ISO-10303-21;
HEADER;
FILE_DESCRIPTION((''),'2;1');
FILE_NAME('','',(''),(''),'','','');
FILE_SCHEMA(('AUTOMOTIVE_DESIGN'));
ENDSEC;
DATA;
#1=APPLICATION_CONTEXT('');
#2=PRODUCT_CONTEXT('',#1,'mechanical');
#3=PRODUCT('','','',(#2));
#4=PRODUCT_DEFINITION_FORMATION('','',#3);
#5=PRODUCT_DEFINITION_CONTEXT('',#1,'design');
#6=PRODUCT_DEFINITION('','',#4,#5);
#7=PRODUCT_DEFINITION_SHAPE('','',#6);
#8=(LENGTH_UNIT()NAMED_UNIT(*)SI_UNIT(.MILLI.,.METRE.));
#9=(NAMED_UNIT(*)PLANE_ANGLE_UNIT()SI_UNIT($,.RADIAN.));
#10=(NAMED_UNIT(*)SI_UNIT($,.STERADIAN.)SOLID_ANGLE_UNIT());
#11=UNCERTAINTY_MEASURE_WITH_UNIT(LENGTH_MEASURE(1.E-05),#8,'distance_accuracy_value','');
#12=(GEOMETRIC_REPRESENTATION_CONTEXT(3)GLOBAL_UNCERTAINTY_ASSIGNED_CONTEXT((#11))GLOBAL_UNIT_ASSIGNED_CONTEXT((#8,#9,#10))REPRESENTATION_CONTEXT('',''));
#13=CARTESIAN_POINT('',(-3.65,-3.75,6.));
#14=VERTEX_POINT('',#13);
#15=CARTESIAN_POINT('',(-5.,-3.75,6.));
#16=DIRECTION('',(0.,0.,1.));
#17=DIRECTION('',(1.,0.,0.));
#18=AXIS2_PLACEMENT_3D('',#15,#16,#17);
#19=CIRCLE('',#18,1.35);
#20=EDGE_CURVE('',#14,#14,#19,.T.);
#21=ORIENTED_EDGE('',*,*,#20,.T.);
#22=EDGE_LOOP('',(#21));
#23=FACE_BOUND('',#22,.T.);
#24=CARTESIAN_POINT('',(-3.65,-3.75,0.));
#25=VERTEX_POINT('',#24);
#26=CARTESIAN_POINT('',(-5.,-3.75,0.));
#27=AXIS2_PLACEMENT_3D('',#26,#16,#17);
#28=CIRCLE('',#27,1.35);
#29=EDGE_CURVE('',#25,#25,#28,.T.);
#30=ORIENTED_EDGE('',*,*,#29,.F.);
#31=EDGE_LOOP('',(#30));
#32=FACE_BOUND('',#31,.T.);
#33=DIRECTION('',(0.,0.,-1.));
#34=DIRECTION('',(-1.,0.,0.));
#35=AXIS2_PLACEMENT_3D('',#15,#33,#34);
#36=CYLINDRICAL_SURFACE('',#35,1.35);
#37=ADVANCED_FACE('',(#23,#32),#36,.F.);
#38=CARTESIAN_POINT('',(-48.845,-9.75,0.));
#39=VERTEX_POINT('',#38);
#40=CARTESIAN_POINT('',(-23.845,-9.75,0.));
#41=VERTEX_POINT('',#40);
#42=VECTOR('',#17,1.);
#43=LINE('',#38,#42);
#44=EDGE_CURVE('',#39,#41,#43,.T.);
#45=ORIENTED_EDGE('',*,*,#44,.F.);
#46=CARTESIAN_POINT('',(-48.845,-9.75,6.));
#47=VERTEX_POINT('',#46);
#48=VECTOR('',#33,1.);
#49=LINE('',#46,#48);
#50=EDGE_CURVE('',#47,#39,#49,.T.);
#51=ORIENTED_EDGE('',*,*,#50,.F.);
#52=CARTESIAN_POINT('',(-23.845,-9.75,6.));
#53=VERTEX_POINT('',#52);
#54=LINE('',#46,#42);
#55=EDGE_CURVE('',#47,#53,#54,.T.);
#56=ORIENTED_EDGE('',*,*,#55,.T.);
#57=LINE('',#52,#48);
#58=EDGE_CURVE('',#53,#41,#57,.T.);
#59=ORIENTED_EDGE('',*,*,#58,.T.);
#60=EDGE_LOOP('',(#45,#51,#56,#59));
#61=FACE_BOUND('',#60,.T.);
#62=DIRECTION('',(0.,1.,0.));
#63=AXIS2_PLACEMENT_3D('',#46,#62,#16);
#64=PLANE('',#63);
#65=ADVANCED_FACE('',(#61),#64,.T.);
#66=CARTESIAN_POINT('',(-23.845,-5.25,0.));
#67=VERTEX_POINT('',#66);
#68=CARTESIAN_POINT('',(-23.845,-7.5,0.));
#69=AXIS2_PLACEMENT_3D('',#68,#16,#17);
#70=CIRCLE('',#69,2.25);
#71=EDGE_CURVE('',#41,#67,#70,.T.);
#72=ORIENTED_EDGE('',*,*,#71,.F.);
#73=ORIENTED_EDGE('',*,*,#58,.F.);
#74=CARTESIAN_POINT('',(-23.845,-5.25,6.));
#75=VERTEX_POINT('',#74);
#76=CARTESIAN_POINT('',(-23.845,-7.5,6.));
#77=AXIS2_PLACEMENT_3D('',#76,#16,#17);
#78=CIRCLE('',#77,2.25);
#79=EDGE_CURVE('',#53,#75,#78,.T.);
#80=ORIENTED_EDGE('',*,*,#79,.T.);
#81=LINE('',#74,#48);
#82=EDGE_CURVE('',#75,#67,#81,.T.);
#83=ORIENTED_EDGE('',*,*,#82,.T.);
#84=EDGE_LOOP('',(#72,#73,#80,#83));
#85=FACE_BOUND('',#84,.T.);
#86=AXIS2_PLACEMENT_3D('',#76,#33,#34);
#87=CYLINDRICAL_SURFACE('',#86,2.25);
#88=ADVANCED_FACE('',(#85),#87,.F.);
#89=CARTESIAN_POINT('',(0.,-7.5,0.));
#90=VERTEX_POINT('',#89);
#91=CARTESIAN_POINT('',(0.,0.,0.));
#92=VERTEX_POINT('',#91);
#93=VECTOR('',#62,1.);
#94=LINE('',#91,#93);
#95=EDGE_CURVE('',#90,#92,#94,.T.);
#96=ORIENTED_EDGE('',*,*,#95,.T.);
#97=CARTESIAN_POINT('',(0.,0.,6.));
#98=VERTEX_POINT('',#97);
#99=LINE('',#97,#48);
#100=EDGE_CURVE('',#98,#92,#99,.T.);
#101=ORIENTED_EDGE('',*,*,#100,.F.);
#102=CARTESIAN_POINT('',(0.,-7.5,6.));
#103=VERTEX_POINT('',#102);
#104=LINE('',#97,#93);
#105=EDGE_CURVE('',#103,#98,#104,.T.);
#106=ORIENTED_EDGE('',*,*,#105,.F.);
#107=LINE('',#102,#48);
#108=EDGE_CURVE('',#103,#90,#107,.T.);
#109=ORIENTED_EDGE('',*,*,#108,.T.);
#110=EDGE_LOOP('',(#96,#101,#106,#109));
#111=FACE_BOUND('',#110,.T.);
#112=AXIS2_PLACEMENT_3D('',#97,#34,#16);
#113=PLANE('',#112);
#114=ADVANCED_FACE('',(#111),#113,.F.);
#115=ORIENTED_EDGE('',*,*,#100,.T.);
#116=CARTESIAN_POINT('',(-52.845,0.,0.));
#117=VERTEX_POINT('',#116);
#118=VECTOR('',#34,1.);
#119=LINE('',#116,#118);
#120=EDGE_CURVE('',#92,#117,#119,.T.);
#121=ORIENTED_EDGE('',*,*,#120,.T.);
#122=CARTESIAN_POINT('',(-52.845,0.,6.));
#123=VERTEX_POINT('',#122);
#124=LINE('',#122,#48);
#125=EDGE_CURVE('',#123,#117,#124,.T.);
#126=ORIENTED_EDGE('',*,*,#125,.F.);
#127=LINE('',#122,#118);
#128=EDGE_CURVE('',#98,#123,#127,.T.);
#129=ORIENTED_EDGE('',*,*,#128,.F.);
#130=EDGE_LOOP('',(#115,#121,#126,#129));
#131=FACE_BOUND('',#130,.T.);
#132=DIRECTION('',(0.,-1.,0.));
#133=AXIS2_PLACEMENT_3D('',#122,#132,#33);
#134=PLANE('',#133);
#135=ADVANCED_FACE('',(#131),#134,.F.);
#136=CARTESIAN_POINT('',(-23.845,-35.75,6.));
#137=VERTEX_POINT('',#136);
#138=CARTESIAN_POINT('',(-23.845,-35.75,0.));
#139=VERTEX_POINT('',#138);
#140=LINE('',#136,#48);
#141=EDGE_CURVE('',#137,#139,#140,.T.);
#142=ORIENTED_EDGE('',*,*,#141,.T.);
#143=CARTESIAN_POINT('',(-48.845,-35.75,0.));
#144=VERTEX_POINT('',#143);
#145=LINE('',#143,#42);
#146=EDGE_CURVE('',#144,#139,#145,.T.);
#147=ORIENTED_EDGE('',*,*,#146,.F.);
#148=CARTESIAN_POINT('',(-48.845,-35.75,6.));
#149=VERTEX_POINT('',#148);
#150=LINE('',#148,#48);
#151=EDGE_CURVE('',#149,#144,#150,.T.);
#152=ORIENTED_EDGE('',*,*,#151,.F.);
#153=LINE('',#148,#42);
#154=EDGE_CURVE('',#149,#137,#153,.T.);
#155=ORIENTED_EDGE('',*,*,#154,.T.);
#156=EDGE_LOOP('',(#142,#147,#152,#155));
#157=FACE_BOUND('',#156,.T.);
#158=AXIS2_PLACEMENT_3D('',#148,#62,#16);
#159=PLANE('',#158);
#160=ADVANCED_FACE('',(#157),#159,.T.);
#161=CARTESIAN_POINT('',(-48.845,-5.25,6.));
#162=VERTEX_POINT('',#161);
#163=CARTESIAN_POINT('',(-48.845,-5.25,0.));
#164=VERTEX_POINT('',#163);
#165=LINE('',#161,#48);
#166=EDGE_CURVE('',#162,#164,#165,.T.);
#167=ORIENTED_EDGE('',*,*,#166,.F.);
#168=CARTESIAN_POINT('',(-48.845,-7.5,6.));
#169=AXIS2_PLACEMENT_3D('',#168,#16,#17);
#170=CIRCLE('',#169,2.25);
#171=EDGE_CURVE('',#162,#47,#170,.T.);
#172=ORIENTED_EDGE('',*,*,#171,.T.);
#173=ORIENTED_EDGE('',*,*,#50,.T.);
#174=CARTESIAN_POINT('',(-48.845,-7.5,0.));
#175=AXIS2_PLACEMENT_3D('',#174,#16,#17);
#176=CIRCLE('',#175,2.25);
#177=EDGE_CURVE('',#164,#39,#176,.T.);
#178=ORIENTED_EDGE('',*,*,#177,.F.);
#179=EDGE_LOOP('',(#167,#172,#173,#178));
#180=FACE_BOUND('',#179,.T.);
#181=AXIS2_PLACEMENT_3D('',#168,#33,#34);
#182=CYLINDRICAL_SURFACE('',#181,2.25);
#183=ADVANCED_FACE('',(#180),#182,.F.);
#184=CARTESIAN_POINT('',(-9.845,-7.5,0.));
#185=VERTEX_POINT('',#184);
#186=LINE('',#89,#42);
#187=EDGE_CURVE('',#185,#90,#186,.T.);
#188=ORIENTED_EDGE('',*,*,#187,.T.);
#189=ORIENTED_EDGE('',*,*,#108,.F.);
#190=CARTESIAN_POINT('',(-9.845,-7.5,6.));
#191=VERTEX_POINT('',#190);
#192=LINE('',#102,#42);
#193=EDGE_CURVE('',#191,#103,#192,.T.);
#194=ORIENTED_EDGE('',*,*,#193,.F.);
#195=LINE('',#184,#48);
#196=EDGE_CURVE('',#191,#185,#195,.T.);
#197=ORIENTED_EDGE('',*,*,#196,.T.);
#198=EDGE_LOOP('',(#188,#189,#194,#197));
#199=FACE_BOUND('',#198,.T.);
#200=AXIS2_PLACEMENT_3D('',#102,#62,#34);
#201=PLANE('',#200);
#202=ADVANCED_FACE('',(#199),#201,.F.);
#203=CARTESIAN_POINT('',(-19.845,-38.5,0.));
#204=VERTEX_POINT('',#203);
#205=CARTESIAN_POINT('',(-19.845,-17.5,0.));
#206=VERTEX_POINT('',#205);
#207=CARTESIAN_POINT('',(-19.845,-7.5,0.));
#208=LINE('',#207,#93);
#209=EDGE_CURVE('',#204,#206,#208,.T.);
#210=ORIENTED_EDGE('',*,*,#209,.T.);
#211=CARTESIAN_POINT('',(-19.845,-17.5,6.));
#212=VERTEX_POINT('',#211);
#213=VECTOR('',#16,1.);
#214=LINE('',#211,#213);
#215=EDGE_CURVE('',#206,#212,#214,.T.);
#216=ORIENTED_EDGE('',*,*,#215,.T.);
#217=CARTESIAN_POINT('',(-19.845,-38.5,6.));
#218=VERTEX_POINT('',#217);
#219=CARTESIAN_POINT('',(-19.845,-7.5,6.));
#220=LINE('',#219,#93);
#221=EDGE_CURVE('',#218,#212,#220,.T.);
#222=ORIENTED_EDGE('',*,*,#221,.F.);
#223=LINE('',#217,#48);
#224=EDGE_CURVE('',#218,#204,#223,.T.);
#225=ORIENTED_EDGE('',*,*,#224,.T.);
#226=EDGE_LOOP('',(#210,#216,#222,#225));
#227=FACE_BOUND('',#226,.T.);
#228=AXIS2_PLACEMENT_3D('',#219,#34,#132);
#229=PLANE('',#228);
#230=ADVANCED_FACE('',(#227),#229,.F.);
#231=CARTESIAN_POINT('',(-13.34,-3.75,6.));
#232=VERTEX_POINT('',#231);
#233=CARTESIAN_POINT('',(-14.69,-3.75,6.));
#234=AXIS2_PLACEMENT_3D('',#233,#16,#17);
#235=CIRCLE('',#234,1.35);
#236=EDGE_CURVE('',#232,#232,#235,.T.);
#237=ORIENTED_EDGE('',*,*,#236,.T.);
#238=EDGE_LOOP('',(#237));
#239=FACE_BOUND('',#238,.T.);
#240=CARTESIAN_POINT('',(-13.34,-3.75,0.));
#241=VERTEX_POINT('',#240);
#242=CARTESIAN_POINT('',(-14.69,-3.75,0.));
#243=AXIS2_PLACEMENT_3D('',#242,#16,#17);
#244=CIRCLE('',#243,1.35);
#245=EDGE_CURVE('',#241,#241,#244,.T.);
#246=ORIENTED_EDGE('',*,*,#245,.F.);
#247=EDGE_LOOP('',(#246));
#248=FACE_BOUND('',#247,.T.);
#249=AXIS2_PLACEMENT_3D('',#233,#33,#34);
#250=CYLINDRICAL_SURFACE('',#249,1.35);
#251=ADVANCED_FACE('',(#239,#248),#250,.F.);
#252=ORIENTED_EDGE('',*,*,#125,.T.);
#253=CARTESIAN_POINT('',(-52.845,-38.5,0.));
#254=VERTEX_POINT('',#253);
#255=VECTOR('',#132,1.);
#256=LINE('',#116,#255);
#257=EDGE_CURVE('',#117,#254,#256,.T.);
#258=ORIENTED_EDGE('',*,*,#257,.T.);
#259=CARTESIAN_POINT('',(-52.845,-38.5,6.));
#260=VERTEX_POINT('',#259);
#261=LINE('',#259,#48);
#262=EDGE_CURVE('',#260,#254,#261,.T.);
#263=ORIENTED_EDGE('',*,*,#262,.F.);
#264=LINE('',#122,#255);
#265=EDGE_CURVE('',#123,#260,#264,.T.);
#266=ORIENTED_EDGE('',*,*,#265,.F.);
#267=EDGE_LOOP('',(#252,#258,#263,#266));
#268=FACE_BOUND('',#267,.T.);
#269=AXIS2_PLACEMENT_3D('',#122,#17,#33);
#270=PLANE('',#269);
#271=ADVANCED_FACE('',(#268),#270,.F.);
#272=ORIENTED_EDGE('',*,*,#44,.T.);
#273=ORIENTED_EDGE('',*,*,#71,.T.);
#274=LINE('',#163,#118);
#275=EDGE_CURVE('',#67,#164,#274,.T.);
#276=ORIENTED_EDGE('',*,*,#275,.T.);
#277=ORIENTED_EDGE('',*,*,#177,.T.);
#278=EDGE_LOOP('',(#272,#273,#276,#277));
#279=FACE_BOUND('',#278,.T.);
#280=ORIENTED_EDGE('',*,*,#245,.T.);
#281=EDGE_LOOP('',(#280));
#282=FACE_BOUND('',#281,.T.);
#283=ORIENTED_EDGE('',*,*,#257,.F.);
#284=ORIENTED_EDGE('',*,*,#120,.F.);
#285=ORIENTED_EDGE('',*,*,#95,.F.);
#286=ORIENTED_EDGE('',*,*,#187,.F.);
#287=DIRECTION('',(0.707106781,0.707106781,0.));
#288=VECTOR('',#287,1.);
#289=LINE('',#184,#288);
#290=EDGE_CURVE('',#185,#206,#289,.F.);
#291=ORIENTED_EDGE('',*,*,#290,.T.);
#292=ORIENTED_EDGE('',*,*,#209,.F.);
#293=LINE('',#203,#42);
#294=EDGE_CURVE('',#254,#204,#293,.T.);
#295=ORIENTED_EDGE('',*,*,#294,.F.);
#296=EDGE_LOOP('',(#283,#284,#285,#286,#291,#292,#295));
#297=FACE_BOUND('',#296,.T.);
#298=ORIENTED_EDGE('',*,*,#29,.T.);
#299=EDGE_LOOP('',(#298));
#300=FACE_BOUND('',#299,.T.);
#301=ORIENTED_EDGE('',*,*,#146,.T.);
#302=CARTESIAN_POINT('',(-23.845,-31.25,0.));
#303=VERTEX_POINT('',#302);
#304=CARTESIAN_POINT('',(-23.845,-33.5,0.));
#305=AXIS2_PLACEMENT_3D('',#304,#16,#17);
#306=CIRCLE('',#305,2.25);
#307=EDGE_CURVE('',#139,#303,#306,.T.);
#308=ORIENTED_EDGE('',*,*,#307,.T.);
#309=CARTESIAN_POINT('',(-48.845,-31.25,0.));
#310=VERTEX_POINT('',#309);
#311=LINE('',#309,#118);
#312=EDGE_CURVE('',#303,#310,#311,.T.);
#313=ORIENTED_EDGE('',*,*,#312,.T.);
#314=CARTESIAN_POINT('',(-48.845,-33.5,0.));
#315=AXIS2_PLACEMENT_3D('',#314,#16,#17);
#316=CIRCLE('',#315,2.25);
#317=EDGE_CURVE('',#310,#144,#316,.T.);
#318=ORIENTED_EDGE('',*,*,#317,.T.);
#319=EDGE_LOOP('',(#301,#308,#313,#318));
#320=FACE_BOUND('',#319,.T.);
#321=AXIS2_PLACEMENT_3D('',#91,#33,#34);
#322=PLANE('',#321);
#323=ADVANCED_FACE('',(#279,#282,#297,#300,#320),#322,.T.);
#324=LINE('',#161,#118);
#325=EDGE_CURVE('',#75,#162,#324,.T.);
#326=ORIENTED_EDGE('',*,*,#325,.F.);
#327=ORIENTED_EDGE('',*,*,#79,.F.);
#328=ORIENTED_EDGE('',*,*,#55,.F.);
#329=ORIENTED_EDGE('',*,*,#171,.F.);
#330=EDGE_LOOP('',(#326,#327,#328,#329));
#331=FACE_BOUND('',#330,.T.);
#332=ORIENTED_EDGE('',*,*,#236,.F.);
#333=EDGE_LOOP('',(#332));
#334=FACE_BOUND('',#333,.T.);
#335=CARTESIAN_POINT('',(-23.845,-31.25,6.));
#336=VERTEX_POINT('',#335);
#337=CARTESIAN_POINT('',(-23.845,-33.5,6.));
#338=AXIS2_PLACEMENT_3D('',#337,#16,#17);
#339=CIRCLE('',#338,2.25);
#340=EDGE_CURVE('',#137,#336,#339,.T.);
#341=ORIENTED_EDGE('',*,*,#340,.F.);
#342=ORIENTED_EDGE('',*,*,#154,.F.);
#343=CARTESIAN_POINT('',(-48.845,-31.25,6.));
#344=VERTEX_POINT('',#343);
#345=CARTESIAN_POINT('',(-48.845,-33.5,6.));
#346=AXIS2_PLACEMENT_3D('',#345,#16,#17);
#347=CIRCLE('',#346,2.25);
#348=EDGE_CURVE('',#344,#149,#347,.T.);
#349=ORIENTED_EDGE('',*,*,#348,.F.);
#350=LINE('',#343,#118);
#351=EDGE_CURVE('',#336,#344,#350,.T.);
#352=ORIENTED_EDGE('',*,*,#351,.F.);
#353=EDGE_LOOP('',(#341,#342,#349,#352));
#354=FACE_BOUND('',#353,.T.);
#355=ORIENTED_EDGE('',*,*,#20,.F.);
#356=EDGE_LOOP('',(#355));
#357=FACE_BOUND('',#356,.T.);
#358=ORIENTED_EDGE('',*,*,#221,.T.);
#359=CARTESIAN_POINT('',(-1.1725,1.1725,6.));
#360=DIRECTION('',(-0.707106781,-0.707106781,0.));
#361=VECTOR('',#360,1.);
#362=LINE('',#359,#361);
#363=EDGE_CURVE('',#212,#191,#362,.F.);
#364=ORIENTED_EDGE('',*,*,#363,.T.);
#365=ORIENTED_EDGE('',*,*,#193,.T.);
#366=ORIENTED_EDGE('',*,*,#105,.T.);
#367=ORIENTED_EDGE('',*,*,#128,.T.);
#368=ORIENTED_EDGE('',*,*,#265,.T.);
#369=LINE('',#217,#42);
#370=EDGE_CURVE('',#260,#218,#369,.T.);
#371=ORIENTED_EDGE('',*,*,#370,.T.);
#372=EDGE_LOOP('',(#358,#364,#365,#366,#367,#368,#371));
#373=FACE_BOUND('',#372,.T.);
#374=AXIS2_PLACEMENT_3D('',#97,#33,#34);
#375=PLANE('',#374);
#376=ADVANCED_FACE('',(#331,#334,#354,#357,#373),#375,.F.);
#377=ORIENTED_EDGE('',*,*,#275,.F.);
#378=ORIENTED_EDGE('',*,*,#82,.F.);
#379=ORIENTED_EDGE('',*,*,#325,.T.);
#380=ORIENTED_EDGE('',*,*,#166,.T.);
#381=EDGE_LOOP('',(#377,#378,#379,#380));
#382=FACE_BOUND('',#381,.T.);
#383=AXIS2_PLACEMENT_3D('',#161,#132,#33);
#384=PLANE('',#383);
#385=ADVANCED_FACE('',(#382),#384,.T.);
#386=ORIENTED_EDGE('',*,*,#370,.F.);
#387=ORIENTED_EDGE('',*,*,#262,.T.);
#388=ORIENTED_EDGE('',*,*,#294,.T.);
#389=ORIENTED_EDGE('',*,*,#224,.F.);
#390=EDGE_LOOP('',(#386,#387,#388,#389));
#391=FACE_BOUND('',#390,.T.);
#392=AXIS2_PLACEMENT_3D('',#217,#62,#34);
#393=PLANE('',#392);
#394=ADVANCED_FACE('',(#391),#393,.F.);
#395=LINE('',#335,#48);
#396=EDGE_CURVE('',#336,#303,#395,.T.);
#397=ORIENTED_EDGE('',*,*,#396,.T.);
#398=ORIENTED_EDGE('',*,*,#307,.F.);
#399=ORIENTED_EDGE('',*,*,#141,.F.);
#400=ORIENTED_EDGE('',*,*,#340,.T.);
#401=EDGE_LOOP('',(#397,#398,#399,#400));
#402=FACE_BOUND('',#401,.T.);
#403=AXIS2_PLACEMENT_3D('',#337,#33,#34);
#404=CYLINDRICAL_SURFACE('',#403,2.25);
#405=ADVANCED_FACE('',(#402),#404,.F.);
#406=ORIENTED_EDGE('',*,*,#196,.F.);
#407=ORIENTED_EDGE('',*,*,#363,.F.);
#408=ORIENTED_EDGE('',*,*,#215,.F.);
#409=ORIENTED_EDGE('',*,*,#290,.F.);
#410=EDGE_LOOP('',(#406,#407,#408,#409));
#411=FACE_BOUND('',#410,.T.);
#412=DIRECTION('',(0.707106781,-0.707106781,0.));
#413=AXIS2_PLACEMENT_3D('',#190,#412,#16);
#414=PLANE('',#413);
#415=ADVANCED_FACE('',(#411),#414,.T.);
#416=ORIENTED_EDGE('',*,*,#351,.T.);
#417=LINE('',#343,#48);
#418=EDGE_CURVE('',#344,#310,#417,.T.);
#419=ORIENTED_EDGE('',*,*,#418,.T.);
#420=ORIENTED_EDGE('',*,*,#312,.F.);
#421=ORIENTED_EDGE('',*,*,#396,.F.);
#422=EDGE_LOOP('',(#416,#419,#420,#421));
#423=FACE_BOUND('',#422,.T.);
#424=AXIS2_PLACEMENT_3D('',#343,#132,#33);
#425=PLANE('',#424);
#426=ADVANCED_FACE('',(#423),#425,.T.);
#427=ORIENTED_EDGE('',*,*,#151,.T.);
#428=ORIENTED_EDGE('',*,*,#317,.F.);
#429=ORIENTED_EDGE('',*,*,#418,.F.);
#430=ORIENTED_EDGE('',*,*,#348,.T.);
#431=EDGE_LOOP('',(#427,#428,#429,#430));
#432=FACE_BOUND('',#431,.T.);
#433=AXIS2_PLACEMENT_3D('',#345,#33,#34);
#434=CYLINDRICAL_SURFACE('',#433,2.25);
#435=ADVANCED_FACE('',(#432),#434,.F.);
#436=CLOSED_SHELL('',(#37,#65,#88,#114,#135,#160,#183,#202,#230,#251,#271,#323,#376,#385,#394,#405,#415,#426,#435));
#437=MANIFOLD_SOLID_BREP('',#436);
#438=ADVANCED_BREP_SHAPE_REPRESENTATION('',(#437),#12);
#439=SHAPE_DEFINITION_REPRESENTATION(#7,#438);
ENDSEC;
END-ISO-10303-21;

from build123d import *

# Parameters (mm, degrees)
SKETCH7_R           = 1.35
BOSS_EXTRUDE4_DEPTH = 6
CHAMFER1_SIZE       = 10


with BuildPart() as part:
    # Sketch7 → Boss-Extrude4 (new body)
    with BuildSketch(Plane.XY):
        Polygon((-52.845, 0), (0, 0), (0, -7.5), (-19.845, -7.5), (-19.845, -38.5), (-52.845, -38.5), align=None)
        with Locations((-14.69, -3.75)):
            Circle(SKETCH7_R, mode=Mode.SUBTRACT)
        with Locations((-5, -3.75)):
            Circle(SKETCH7_R, mode=Mode.SUBTRACT)
        with BuildLine():
            Line((-48.845, -5.25), (-23.845, -5.25))
            ThreePointArc((-23.845, -5.25), (-21.595, -7.5), (-23.845, -9.75))
            Line((-23.845, -9.75), (-48.845, -9.75))
            ThreePointArc((-48.845, -9.75), (-51.095, -7.5), (-48.845, -5.25))
        make_face(mode=Mode.SUBTRACT)
        with BuildLine():
            Line((-48.845, -31.25), (-23.845, -31.25))
            ThreePointArc((-23.845, -31.25), (-21.595, -33.5), (-23.845, -35.75))
            Line((-23.845, -35.75), (-48.845, -35.75))
            ThreePointArc((-48.845, -35.75), (-51.095, -33.5), (-48.845, -31.25))
        make_face(mode=Mode.SUBTRACT)
    extrude(amount=BOSS_EXTRUDE4_DEPTH)

    # Chamfer1
    chamfer1_edges = [part.edges().sort_by_distance(p)[0] for p in [
        (-19.845, -7.5, 3),
    ]]
    chamfer(chamfer1_edges, length=CHAMFER1_SIZE)


solid = part.part
